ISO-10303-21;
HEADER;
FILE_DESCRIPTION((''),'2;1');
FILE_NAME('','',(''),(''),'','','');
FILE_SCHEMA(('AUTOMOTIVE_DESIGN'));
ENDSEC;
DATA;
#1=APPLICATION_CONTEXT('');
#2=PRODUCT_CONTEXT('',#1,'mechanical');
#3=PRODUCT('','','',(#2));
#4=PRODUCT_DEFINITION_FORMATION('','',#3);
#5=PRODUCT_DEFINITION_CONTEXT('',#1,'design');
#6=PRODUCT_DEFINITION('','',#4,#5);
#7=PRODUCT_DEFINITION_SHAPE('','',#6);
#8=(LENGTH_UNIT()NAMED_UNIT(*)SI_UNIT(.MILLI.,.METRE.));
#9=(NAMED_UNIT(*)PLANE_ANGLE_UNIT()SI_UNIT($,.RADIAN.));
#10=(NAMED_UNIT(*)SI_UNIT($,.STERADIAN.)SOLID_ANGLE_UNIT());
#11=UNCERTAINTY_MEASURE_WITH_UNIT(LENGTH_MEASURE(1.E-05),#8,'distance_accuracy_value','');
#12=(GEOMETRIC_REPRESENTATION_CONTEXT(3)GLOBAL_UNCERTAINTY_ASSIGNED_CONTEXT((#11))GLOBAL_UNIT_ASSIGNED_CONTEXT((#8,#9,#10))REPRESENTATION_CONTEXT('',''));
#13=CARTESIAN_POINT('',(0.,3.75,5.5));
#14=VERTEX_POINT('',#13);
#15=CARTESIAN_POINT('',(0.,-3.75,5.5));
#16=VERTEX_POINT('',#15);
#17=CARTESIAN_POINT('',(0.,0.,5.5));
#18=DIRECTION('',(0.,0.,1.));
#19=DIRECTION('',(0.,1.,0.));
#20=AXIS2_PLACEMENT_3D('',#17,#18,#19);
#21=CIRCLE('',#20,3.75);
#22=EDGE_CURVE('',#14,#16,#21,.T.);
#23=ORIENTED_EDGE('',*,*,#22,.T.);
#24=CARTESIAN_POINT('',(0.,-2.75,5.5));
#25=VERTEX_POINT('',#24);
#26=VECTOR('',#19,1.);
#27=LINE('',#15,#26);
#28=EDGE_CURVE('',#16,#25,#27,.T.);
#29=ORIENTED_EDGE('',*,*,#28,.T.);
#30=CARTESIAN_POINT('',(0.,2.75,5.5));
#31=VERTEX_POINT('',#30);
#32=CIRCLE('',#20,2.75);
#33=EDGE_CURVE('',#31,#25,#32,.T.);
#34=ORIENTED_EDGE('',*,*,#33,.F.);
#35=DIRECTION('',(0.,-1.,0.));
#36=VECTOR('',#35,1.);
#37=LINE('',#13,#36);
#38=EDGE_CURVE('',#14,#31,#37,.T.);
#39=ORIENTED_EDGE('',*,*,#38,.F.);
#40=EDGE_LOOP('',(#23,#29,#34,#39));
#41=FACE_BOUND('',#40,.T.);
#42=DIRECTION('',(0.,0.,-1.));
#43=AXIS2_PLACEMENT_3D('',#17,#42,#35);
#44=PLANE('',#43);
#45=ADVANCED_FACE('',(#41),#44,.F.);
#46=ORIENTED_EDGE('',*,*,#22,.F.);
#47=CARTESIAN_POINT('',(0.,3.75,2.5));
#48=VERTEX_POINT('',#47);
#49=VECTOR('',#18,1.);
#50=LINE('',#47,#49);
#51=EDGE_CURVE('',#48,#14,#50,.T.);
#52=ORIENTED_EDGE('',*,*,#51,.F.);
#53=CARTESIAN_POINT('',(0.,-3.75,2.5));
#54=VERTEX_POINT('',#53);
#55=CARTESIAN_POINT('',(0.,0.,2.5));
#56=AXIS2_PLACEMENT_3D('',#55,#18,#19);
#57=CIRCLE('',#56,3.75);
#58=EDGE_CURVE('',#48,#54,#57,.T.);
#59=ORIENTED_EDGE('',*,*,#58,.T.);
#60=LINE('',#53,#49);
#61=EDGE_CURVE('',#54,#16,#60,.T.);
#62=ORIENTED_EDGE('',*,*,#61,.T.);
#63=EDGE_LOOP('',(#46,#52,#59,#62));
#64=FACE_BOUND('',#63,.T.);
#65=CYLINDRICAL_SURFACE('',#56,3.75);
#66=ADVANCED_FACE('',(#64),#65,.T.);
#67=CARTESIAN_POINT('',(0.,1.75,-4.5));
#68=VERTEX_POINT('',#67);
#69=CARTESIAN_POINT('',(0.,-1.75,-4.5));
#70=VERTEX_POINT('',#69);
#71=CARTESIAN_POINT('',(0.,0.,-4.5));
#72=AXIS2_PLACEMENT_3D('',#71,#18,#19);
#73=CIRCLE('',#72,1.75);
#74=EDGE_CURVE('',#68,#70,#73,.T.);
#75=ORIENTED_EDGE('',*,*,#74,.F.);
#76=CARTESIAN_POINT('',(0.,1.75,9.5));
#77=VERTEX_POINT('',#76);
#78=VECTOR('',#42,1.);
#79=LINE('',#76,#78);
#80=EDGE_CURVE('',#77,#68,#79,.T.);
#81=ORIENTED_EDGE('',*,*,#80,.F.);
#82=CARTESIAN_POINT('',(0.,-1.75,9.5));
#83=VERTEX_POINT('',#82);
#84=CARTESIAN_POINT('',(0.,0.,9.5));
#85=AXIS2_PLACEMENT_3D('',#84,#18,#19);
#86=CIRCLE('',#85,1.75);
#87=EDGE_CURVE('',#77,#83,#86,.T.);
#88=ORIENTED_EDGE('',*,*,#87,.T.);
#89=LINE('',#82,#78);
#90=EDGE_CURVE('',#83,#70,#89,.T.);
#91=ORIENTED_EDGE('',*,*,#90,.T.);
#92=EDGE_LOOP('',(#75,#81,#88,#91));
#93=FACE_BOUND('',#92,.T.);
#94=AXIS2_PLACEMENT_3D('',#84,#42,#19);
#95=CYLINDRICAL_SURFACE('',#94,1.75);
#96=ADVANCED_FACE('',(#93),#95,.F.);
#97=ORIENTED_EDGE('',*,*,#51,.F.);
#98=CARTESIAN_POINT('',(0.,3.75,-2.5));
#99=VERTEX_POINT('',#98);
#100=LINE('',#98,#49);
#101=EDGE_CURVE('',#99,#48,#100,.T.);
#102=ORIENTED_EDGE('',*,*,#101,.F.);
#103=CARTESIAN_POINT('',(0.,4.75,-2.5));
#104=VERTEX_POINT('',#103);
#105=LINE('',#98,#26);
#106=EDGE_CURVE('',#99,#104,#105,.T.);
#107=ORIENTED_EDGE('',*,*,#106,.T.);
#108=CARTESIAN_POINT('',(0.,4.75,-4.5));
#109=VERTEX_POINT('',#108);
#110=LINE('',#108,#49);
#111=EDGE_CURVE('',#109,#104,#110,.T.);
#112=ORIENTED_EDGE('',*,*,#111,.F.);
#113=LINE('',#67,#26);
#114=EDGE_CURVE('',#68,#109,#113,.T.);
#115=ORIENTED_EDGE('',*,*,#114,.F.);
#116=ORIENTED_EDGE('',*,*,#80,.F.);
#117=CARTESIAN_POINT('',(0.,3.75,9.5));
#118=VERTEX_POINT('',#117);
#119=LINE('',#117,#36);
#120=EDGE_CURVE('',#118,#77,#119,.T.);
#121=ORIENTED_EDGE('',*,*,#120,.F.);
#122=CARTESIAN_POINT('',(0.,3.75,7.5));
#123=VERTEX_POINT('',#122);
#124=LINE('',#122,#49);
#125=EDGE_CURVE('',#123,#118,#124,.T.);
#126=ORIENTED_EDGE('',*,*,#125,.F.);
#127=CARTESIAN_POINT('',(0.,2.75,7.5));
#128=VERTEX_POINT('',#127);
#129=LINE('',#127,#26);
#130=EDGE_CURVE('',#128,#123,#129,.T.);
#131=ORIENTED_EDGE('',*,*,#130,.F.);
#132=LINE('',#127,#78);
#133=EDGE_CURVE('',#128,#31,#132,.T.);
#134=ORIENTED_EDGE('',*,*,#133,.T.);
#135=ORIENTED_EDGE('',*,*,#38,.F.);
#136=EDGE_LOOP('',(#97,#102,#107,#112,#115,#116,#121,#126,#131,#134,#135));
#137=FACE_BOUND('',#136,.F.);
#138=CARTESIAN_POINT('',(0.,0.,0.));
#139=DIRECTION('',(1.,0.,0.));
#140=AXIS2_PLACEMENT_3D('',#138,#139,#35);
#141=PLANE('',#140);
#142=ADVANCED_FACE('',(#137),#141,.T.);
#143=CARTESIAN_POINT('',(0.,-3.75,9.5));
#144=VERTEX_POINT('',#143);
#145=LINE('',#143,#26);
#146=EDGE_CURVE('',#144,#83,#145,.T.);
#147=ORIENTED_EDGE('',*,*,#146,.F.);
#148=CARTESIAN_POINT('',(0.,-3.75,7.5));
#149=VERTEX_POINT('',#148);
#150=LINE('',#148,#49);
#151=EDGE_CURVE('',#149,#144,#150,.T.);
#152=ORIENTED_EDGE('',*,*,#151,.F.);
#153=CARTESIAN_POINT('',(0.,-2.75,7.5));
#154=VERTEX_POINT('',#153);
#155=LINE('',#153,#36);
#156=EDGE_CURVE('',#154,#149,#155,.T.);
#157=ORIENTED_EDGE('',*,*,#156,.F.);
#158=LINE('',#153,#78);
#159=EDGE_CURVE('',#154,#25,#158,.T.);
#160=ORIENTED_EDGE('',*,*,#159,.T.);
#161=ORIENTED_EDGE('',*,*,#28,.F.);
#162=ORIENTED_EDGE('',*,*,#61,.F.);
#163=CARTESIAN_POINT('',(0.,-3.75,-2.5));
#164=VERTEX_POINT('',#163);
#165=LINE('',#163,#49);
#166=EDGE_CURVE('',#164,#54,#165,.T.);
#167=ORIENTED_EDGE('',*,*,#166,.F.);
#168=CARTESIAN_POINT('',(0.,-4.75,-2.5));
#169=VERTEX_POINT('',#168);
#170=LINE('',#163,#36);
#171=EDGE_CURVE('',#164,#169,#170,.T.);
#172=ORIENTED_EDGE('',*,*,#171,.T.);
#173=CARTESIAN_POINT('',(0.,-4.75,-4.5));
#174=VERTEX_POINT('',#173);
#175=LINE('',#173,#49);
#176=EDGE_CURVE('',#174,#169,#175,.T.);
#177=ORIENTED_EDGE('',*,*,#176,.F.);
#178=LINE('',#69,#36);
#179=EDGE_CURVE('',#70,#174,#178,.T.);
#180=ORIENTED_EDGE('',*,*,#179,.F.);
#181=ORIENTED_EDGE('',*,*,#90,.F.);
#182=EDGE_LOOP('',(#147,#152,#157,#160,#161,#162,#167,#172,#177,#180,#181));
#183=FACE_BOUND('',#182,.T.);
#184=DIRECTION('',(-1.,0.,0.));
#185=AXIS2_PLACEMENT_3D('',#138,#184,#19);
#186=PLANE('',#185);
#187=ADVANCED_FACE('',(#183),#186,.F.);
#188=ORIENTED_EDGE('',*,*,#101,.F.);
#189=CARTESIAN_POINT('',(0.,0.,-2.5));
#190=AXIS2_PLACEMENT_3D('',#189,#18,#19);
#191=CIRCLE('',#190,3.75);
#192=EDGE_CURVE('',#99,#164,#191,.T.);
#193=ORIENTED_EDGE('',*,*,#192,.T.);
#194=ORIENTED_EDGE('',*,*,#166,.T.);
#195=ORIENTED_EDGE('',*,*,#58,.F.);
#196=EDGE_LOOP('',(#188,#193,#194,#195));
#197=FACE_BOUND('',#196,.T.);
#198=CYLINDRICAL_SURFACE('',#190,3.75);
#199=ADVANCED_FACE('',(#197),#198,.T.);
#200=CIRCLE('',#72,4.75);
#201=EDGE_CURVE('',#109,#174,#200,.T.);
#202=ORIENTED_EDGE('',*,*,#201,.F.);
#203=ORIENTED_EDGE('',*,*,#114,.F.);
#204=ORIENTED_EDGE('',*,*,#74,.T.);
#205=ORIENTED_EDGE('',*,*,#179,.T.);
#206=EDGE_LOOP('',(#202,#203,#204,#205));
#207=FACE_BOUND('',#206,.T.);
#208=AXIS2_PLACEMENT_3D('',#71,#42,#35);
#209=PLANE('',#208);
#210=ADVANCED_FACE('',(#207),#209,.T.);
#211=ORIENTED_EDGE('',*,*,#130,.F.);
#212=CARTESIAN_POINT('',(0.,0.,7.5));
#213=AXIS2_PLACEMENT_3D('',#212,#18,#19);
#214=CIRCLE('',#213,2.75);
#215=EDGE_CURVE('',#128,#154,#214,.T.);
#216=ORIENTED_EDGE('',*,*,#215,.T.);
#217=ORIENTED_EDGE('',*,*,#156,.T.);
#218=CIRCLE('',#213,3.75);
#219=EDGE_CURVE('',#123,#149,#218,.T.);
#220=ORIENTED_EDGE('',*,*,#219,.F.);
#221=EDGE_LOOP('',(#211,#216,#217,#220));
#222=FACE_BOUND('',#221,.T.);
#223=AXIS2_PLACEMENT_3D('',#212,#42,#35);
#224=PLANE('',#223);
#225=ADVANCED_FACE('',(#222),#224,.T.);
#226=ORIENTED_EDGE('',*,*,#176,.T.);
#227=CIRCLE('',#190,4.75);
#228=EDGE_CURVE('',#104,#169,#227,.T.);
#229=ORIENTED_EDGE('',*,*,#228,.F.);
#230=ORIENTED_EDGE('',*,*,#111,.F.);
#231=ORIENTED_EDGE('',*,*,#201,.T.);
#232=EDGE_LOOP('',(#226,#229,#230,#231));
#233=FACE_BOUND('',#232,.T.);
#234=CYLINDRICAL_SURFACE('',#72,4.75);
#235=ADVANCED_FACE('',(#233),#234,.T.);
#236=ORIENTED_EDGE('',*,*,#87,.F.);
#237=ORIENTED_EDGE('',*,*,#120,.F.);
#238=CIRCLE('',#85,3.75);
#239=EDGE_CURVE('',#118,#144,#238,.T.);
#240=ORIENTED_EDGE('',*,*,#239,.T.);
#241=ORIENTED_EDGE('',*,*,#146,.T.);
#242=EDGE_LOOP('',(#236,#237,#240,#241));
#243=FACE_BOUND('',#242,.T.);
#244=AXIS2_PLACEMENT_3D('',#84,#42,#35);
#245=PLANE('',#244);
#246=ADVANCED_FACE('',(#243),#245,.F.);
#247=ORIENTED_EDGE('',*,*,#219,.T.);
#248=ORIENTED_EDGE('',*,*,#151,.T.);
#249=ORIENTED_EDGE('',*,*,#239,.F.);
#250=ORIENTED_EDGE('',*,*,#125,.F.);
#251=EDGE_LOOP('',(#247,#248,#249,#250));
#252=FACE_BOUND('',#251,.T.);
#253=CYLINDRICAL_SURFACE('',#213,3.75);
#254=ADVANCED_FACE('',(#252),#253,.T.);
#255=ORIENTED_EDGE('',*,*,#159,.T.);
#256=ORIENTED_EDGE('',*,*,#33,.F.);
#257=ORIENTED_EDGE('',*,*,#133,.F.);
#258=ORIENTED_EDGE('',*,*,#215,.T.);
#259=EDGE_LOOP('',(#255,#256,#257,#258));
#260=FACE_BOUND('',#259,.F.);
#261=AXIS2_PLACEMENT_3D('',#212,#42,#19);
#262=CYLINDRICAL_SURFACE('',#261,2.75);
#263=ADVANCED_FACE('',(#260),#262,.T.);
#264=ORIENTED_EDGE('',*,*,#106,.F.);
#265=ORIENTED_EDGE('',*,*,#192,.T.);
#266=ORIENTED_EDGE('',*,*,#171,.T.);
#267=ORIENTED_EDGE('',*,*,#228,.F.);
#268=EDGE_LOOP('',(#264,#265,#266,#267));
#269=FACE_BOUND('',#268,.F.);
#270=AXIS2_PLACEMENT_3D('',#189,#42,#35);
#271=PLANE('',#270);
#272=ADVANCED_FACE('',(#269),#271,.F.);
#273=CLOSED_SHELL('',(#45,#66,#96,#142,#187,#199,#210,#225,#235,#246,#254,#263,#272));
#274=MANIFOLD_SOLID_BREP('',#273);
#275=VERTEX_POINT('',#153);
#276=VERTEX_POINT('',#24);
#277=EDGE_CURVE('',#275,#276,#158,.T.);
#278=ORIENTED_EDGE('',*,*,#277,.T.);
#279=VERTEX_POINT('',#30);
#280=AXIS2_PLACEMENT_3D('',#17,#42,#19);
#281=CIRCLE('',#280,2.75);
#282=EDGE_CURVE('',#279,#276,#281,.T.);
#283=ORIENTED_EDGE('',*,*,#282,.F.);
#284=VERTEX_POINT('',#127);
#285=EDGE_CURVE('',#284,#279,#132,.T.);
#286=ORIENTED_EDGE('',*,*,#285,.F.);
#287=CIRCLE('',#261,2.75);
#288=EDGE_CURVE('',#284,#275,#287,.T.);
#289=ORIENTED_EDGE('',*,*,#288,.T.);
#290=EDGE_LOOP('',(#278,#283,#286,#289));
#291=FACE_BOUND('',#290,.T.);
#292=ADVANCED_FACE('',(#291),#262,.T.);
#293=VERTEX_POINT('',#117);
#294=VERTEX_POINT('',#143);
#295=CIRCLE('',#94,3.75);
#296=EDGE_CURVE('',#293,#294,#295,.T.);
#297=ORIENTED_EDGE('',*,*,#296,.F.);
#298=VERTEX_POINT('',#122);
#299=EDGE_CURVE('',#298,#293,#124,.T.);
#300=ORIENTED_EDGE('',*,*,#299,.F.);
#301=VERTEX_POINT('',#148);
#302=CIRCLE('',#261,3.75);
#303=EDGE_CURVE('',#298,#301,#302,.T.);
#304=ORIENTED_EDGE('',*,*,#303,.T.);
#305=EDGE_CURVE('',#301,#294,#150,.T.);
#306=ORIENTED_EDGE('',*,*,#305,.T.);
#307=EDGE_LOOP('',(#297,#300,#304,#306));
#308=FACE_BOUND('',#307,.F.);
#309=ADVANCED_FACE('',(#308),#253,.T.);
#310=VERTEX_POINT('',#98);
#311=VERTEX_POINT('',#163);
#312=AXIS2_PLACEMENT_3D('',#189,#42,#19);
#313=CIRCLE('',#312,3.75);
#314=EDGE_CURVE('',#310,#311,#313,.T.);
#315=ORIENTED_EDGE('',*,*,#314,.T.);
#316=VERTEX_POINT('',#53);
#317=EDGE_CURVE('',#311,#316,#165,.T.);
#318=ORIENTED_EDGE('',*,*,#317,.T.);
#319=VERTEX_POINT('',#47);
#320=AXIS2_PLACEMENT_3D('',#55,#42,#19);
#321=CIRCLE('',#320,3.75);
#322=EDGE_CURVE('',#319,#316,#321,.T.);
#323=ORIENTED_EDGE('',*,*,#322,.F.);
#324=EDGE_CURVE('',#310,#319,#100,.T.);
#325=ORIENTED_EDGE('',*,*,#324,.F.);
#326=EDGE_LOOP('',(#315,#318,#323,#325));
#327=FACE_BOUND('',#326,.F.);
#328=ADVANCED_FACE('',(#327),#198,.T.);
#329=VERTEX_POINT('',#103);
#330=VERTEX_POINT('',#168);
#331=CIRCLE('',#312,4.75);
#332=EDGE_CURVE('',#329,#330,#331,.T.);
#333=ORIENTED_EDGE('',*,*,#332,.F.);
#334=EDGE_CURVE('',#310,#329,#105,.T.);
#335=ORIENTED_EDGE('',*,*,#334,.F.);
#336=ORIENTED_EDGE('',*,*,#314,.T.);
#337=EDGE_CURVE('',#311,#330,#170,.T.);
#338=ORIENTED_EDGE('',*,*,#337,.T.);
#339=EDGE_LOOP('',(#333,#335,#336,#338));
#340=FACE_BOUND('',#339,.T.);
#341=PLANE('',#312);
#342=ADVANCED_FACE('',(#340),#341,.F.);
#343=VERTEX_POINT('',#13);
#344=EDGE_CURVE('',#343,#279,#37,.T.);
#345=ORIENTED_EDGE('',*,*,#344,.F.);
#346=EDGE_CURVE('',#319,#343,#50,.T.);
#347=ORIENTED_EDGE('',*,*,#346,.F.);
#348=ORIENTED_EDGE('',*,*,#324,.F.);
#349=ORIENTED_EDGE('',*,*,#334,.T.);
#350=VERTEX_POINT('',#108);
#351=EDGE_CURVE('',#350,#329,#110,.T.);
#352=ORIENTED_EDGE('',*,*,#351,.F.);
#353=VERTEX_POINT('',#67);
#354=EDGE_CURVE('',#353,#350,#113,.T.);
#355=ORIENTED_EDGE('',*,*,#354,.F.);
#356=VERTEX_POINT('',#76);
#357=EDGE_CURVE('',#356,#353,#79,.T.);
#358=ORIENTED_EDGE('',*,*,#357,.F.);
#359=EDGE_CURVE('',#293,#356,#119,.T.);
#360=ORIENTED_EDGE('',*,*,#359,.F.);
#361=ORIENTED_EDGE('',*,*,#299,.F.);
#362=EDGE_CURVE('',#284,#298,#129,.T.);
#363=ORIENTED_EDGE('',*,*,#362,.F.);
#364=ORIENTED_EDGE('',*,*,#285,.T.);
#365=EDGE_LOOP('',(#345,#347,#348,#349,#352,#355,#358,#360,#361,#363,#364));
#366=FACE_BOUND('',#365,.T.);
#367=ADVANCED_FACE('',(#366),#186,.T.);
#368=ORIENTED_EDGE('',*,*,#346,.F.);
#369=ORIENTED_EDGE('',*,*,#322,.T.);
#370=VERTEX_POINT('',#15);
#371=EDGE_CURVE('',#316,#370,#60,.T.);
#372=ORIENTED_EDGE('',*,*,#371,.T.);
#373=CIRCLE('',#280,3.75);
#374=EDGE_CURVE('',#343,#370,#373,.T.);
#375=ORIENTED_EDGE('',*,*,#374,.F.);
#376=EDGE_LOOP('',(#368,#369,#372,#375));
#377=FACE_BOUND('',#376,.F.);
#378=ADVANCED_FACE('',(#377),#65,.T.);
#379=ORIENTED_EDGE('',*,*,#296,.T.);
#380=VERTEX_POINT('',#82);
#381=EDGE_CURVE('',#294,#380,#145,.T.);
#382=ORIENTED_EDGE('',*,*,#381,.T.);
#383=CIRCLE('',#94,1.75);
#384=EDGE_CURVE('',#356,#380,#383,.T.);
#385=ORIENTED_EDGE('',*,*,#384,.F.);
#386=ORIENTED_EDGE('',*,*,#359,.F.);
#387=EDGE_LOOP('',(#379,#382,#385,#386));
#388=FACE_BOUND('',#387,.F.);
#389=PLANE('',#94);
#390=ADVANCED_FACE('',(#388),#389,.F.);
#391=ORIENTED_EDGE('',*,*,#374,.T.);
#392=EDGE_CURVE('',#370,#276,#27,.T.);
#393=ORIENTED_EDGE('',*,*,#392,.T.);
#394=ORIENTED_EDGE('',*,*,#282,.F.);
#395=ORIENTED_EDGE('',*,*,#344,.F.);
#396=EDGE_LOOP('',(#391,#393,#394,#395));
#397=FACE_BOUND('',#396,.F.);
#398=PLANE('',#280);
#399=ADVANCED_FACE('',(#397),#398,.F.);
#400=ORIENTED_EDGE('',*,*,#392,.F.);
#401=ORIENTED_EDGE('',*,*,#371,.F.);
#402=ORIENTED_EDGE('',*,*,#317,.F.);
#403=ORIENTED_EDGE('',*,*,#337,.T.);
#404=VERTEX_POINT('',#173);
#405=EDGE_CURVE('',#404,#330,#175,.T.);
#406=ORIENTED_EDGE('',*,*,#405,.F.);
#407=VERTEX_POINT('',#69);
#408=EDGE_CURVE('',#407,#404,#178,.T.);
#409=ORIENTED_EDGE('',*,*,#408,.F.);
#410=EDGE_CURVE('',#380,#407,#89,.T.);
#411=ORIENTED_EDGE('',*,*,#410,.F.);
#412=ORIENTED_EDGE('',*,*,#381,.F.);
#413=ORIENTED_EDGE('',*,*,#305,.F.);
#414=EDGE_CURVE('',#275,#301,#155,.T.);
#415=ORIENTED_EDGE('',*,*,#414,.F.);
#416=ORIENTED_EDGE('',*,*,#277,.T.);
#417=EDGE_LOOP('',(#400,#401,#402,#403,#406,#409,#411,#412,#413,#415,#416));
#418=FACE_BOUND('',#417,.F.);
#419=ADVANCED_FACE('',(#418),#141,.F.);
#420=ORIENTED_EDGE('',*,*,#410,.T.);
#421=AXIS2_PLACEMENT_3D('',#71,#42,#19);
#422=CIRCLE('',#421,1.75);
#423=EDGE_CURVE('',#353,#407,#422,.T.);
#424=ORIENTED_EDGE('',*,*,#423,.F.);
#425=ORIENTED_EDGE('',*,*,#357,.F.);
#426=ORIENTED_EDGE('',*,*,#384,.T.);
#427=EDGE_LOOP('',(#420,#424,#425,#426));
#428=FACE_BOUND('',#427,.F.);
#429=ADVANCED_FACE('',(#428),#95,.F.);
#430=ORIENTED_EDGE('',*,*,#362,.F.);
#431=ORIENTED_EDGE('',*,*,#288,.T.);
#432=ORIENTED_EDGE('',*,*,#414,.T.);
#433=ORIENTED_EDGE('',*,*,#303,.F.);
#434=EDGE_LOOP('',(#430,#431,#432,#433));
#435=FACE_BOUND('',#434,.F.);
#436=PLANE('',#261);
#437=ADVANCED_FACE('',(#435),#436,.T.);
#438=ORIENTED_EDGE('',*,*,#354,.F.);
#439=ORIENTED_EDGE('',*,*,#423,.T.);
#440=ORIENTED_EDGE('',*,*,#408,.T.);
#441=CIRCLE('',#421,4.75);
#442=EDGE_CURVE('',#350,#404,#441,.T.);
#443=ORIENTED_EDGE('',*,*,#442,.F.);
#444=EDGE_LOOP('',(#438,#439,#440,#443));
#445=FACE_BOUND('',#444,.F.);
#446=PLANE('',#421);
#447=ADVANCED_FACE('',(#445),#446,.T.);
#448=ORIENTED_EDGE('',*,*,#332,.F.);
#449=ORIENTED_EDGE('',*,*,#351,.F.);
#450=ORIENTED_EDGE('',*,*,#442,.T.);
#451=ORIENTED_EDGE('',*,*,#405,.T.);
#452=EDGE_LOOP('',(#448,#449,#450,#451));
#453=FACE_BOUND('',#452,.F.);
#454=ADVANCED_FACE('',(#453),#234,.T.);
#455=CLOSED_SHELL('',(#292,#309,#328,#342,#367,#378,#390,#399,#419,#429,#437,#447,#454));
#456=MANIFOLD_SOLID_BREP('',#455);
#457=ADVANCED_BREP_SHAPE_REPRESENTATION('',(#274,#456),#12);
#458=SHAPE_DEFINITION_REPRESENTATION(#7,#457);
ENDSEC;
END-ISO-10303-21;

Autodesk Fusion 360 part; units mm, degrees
sketch "Skizze1" plane through (0, 0, 0) normal (0, 1, 0) x (1, 0, 0)
  line L0 (0, -75) -> (0, 75)
  line L1 (3.75, -2.5) -> (-50.75, -2.5) construction
  line L2 (-50.75, -2.5) -> (-50.75, 2.5) construction
  line L3 (-50.75, 2.5) -> (49.25, 2.5) construction
  line L4 (49.25, 2.5) -> (49.25, -2.5) construction
  line L5 (1.75, 4.5) -> (4.75, 4.5)
  line L6 (4.75, 4.5) -> (4.75, 2.5)
  line L7 (3.75, 2.5) -> (3.75, -2.5)
  line L8 (3.75, -5.5) -> (2.75, -5.5)
  line L9 (2.75, -7.5) -> (3.75, -7.5)
  line L10 (3.75, -7.5) -> (3.75, -9.5)
  line L11 (3.75, -9.5) -> (1.75, -9.5)
  line L12 (1.75, -9.5) -> (1.75, 4.5)
  line L13 (49.25, -2.5) -> (3.75, -2.5) construction
  line L14 (3.75, -2.5) -> (3.75, -5.5)
  line L15 (3.75, 2.5) -> (4.75, 2.5)
  line L16 (2.75, -7.5) -> (2.75, -5.5)
  dimension "d1" = 100
  dimension "d2" = 5
  dimension "d3" = 2
  dimension "d4" = 2
  dimension "d5" = 3
  dimension "d6" = 2
  dimension "d7" = 1
  dimension "d8" = 3
  dimension "d9" = 5
  dimension "d10" = 2
  dimension "d11" = 7.5
  dimension "d12" = 1
revolve "Drehen1" add sketch "Skizze1" angle 90 about axis through (0, 0, 75) along (0, 0, -1) second angle 90 makes body 1
mirror "Spiegeln1" about plane through (0, 0, 0) normal (1, 0, 0) of bodies 1 makes body 2
